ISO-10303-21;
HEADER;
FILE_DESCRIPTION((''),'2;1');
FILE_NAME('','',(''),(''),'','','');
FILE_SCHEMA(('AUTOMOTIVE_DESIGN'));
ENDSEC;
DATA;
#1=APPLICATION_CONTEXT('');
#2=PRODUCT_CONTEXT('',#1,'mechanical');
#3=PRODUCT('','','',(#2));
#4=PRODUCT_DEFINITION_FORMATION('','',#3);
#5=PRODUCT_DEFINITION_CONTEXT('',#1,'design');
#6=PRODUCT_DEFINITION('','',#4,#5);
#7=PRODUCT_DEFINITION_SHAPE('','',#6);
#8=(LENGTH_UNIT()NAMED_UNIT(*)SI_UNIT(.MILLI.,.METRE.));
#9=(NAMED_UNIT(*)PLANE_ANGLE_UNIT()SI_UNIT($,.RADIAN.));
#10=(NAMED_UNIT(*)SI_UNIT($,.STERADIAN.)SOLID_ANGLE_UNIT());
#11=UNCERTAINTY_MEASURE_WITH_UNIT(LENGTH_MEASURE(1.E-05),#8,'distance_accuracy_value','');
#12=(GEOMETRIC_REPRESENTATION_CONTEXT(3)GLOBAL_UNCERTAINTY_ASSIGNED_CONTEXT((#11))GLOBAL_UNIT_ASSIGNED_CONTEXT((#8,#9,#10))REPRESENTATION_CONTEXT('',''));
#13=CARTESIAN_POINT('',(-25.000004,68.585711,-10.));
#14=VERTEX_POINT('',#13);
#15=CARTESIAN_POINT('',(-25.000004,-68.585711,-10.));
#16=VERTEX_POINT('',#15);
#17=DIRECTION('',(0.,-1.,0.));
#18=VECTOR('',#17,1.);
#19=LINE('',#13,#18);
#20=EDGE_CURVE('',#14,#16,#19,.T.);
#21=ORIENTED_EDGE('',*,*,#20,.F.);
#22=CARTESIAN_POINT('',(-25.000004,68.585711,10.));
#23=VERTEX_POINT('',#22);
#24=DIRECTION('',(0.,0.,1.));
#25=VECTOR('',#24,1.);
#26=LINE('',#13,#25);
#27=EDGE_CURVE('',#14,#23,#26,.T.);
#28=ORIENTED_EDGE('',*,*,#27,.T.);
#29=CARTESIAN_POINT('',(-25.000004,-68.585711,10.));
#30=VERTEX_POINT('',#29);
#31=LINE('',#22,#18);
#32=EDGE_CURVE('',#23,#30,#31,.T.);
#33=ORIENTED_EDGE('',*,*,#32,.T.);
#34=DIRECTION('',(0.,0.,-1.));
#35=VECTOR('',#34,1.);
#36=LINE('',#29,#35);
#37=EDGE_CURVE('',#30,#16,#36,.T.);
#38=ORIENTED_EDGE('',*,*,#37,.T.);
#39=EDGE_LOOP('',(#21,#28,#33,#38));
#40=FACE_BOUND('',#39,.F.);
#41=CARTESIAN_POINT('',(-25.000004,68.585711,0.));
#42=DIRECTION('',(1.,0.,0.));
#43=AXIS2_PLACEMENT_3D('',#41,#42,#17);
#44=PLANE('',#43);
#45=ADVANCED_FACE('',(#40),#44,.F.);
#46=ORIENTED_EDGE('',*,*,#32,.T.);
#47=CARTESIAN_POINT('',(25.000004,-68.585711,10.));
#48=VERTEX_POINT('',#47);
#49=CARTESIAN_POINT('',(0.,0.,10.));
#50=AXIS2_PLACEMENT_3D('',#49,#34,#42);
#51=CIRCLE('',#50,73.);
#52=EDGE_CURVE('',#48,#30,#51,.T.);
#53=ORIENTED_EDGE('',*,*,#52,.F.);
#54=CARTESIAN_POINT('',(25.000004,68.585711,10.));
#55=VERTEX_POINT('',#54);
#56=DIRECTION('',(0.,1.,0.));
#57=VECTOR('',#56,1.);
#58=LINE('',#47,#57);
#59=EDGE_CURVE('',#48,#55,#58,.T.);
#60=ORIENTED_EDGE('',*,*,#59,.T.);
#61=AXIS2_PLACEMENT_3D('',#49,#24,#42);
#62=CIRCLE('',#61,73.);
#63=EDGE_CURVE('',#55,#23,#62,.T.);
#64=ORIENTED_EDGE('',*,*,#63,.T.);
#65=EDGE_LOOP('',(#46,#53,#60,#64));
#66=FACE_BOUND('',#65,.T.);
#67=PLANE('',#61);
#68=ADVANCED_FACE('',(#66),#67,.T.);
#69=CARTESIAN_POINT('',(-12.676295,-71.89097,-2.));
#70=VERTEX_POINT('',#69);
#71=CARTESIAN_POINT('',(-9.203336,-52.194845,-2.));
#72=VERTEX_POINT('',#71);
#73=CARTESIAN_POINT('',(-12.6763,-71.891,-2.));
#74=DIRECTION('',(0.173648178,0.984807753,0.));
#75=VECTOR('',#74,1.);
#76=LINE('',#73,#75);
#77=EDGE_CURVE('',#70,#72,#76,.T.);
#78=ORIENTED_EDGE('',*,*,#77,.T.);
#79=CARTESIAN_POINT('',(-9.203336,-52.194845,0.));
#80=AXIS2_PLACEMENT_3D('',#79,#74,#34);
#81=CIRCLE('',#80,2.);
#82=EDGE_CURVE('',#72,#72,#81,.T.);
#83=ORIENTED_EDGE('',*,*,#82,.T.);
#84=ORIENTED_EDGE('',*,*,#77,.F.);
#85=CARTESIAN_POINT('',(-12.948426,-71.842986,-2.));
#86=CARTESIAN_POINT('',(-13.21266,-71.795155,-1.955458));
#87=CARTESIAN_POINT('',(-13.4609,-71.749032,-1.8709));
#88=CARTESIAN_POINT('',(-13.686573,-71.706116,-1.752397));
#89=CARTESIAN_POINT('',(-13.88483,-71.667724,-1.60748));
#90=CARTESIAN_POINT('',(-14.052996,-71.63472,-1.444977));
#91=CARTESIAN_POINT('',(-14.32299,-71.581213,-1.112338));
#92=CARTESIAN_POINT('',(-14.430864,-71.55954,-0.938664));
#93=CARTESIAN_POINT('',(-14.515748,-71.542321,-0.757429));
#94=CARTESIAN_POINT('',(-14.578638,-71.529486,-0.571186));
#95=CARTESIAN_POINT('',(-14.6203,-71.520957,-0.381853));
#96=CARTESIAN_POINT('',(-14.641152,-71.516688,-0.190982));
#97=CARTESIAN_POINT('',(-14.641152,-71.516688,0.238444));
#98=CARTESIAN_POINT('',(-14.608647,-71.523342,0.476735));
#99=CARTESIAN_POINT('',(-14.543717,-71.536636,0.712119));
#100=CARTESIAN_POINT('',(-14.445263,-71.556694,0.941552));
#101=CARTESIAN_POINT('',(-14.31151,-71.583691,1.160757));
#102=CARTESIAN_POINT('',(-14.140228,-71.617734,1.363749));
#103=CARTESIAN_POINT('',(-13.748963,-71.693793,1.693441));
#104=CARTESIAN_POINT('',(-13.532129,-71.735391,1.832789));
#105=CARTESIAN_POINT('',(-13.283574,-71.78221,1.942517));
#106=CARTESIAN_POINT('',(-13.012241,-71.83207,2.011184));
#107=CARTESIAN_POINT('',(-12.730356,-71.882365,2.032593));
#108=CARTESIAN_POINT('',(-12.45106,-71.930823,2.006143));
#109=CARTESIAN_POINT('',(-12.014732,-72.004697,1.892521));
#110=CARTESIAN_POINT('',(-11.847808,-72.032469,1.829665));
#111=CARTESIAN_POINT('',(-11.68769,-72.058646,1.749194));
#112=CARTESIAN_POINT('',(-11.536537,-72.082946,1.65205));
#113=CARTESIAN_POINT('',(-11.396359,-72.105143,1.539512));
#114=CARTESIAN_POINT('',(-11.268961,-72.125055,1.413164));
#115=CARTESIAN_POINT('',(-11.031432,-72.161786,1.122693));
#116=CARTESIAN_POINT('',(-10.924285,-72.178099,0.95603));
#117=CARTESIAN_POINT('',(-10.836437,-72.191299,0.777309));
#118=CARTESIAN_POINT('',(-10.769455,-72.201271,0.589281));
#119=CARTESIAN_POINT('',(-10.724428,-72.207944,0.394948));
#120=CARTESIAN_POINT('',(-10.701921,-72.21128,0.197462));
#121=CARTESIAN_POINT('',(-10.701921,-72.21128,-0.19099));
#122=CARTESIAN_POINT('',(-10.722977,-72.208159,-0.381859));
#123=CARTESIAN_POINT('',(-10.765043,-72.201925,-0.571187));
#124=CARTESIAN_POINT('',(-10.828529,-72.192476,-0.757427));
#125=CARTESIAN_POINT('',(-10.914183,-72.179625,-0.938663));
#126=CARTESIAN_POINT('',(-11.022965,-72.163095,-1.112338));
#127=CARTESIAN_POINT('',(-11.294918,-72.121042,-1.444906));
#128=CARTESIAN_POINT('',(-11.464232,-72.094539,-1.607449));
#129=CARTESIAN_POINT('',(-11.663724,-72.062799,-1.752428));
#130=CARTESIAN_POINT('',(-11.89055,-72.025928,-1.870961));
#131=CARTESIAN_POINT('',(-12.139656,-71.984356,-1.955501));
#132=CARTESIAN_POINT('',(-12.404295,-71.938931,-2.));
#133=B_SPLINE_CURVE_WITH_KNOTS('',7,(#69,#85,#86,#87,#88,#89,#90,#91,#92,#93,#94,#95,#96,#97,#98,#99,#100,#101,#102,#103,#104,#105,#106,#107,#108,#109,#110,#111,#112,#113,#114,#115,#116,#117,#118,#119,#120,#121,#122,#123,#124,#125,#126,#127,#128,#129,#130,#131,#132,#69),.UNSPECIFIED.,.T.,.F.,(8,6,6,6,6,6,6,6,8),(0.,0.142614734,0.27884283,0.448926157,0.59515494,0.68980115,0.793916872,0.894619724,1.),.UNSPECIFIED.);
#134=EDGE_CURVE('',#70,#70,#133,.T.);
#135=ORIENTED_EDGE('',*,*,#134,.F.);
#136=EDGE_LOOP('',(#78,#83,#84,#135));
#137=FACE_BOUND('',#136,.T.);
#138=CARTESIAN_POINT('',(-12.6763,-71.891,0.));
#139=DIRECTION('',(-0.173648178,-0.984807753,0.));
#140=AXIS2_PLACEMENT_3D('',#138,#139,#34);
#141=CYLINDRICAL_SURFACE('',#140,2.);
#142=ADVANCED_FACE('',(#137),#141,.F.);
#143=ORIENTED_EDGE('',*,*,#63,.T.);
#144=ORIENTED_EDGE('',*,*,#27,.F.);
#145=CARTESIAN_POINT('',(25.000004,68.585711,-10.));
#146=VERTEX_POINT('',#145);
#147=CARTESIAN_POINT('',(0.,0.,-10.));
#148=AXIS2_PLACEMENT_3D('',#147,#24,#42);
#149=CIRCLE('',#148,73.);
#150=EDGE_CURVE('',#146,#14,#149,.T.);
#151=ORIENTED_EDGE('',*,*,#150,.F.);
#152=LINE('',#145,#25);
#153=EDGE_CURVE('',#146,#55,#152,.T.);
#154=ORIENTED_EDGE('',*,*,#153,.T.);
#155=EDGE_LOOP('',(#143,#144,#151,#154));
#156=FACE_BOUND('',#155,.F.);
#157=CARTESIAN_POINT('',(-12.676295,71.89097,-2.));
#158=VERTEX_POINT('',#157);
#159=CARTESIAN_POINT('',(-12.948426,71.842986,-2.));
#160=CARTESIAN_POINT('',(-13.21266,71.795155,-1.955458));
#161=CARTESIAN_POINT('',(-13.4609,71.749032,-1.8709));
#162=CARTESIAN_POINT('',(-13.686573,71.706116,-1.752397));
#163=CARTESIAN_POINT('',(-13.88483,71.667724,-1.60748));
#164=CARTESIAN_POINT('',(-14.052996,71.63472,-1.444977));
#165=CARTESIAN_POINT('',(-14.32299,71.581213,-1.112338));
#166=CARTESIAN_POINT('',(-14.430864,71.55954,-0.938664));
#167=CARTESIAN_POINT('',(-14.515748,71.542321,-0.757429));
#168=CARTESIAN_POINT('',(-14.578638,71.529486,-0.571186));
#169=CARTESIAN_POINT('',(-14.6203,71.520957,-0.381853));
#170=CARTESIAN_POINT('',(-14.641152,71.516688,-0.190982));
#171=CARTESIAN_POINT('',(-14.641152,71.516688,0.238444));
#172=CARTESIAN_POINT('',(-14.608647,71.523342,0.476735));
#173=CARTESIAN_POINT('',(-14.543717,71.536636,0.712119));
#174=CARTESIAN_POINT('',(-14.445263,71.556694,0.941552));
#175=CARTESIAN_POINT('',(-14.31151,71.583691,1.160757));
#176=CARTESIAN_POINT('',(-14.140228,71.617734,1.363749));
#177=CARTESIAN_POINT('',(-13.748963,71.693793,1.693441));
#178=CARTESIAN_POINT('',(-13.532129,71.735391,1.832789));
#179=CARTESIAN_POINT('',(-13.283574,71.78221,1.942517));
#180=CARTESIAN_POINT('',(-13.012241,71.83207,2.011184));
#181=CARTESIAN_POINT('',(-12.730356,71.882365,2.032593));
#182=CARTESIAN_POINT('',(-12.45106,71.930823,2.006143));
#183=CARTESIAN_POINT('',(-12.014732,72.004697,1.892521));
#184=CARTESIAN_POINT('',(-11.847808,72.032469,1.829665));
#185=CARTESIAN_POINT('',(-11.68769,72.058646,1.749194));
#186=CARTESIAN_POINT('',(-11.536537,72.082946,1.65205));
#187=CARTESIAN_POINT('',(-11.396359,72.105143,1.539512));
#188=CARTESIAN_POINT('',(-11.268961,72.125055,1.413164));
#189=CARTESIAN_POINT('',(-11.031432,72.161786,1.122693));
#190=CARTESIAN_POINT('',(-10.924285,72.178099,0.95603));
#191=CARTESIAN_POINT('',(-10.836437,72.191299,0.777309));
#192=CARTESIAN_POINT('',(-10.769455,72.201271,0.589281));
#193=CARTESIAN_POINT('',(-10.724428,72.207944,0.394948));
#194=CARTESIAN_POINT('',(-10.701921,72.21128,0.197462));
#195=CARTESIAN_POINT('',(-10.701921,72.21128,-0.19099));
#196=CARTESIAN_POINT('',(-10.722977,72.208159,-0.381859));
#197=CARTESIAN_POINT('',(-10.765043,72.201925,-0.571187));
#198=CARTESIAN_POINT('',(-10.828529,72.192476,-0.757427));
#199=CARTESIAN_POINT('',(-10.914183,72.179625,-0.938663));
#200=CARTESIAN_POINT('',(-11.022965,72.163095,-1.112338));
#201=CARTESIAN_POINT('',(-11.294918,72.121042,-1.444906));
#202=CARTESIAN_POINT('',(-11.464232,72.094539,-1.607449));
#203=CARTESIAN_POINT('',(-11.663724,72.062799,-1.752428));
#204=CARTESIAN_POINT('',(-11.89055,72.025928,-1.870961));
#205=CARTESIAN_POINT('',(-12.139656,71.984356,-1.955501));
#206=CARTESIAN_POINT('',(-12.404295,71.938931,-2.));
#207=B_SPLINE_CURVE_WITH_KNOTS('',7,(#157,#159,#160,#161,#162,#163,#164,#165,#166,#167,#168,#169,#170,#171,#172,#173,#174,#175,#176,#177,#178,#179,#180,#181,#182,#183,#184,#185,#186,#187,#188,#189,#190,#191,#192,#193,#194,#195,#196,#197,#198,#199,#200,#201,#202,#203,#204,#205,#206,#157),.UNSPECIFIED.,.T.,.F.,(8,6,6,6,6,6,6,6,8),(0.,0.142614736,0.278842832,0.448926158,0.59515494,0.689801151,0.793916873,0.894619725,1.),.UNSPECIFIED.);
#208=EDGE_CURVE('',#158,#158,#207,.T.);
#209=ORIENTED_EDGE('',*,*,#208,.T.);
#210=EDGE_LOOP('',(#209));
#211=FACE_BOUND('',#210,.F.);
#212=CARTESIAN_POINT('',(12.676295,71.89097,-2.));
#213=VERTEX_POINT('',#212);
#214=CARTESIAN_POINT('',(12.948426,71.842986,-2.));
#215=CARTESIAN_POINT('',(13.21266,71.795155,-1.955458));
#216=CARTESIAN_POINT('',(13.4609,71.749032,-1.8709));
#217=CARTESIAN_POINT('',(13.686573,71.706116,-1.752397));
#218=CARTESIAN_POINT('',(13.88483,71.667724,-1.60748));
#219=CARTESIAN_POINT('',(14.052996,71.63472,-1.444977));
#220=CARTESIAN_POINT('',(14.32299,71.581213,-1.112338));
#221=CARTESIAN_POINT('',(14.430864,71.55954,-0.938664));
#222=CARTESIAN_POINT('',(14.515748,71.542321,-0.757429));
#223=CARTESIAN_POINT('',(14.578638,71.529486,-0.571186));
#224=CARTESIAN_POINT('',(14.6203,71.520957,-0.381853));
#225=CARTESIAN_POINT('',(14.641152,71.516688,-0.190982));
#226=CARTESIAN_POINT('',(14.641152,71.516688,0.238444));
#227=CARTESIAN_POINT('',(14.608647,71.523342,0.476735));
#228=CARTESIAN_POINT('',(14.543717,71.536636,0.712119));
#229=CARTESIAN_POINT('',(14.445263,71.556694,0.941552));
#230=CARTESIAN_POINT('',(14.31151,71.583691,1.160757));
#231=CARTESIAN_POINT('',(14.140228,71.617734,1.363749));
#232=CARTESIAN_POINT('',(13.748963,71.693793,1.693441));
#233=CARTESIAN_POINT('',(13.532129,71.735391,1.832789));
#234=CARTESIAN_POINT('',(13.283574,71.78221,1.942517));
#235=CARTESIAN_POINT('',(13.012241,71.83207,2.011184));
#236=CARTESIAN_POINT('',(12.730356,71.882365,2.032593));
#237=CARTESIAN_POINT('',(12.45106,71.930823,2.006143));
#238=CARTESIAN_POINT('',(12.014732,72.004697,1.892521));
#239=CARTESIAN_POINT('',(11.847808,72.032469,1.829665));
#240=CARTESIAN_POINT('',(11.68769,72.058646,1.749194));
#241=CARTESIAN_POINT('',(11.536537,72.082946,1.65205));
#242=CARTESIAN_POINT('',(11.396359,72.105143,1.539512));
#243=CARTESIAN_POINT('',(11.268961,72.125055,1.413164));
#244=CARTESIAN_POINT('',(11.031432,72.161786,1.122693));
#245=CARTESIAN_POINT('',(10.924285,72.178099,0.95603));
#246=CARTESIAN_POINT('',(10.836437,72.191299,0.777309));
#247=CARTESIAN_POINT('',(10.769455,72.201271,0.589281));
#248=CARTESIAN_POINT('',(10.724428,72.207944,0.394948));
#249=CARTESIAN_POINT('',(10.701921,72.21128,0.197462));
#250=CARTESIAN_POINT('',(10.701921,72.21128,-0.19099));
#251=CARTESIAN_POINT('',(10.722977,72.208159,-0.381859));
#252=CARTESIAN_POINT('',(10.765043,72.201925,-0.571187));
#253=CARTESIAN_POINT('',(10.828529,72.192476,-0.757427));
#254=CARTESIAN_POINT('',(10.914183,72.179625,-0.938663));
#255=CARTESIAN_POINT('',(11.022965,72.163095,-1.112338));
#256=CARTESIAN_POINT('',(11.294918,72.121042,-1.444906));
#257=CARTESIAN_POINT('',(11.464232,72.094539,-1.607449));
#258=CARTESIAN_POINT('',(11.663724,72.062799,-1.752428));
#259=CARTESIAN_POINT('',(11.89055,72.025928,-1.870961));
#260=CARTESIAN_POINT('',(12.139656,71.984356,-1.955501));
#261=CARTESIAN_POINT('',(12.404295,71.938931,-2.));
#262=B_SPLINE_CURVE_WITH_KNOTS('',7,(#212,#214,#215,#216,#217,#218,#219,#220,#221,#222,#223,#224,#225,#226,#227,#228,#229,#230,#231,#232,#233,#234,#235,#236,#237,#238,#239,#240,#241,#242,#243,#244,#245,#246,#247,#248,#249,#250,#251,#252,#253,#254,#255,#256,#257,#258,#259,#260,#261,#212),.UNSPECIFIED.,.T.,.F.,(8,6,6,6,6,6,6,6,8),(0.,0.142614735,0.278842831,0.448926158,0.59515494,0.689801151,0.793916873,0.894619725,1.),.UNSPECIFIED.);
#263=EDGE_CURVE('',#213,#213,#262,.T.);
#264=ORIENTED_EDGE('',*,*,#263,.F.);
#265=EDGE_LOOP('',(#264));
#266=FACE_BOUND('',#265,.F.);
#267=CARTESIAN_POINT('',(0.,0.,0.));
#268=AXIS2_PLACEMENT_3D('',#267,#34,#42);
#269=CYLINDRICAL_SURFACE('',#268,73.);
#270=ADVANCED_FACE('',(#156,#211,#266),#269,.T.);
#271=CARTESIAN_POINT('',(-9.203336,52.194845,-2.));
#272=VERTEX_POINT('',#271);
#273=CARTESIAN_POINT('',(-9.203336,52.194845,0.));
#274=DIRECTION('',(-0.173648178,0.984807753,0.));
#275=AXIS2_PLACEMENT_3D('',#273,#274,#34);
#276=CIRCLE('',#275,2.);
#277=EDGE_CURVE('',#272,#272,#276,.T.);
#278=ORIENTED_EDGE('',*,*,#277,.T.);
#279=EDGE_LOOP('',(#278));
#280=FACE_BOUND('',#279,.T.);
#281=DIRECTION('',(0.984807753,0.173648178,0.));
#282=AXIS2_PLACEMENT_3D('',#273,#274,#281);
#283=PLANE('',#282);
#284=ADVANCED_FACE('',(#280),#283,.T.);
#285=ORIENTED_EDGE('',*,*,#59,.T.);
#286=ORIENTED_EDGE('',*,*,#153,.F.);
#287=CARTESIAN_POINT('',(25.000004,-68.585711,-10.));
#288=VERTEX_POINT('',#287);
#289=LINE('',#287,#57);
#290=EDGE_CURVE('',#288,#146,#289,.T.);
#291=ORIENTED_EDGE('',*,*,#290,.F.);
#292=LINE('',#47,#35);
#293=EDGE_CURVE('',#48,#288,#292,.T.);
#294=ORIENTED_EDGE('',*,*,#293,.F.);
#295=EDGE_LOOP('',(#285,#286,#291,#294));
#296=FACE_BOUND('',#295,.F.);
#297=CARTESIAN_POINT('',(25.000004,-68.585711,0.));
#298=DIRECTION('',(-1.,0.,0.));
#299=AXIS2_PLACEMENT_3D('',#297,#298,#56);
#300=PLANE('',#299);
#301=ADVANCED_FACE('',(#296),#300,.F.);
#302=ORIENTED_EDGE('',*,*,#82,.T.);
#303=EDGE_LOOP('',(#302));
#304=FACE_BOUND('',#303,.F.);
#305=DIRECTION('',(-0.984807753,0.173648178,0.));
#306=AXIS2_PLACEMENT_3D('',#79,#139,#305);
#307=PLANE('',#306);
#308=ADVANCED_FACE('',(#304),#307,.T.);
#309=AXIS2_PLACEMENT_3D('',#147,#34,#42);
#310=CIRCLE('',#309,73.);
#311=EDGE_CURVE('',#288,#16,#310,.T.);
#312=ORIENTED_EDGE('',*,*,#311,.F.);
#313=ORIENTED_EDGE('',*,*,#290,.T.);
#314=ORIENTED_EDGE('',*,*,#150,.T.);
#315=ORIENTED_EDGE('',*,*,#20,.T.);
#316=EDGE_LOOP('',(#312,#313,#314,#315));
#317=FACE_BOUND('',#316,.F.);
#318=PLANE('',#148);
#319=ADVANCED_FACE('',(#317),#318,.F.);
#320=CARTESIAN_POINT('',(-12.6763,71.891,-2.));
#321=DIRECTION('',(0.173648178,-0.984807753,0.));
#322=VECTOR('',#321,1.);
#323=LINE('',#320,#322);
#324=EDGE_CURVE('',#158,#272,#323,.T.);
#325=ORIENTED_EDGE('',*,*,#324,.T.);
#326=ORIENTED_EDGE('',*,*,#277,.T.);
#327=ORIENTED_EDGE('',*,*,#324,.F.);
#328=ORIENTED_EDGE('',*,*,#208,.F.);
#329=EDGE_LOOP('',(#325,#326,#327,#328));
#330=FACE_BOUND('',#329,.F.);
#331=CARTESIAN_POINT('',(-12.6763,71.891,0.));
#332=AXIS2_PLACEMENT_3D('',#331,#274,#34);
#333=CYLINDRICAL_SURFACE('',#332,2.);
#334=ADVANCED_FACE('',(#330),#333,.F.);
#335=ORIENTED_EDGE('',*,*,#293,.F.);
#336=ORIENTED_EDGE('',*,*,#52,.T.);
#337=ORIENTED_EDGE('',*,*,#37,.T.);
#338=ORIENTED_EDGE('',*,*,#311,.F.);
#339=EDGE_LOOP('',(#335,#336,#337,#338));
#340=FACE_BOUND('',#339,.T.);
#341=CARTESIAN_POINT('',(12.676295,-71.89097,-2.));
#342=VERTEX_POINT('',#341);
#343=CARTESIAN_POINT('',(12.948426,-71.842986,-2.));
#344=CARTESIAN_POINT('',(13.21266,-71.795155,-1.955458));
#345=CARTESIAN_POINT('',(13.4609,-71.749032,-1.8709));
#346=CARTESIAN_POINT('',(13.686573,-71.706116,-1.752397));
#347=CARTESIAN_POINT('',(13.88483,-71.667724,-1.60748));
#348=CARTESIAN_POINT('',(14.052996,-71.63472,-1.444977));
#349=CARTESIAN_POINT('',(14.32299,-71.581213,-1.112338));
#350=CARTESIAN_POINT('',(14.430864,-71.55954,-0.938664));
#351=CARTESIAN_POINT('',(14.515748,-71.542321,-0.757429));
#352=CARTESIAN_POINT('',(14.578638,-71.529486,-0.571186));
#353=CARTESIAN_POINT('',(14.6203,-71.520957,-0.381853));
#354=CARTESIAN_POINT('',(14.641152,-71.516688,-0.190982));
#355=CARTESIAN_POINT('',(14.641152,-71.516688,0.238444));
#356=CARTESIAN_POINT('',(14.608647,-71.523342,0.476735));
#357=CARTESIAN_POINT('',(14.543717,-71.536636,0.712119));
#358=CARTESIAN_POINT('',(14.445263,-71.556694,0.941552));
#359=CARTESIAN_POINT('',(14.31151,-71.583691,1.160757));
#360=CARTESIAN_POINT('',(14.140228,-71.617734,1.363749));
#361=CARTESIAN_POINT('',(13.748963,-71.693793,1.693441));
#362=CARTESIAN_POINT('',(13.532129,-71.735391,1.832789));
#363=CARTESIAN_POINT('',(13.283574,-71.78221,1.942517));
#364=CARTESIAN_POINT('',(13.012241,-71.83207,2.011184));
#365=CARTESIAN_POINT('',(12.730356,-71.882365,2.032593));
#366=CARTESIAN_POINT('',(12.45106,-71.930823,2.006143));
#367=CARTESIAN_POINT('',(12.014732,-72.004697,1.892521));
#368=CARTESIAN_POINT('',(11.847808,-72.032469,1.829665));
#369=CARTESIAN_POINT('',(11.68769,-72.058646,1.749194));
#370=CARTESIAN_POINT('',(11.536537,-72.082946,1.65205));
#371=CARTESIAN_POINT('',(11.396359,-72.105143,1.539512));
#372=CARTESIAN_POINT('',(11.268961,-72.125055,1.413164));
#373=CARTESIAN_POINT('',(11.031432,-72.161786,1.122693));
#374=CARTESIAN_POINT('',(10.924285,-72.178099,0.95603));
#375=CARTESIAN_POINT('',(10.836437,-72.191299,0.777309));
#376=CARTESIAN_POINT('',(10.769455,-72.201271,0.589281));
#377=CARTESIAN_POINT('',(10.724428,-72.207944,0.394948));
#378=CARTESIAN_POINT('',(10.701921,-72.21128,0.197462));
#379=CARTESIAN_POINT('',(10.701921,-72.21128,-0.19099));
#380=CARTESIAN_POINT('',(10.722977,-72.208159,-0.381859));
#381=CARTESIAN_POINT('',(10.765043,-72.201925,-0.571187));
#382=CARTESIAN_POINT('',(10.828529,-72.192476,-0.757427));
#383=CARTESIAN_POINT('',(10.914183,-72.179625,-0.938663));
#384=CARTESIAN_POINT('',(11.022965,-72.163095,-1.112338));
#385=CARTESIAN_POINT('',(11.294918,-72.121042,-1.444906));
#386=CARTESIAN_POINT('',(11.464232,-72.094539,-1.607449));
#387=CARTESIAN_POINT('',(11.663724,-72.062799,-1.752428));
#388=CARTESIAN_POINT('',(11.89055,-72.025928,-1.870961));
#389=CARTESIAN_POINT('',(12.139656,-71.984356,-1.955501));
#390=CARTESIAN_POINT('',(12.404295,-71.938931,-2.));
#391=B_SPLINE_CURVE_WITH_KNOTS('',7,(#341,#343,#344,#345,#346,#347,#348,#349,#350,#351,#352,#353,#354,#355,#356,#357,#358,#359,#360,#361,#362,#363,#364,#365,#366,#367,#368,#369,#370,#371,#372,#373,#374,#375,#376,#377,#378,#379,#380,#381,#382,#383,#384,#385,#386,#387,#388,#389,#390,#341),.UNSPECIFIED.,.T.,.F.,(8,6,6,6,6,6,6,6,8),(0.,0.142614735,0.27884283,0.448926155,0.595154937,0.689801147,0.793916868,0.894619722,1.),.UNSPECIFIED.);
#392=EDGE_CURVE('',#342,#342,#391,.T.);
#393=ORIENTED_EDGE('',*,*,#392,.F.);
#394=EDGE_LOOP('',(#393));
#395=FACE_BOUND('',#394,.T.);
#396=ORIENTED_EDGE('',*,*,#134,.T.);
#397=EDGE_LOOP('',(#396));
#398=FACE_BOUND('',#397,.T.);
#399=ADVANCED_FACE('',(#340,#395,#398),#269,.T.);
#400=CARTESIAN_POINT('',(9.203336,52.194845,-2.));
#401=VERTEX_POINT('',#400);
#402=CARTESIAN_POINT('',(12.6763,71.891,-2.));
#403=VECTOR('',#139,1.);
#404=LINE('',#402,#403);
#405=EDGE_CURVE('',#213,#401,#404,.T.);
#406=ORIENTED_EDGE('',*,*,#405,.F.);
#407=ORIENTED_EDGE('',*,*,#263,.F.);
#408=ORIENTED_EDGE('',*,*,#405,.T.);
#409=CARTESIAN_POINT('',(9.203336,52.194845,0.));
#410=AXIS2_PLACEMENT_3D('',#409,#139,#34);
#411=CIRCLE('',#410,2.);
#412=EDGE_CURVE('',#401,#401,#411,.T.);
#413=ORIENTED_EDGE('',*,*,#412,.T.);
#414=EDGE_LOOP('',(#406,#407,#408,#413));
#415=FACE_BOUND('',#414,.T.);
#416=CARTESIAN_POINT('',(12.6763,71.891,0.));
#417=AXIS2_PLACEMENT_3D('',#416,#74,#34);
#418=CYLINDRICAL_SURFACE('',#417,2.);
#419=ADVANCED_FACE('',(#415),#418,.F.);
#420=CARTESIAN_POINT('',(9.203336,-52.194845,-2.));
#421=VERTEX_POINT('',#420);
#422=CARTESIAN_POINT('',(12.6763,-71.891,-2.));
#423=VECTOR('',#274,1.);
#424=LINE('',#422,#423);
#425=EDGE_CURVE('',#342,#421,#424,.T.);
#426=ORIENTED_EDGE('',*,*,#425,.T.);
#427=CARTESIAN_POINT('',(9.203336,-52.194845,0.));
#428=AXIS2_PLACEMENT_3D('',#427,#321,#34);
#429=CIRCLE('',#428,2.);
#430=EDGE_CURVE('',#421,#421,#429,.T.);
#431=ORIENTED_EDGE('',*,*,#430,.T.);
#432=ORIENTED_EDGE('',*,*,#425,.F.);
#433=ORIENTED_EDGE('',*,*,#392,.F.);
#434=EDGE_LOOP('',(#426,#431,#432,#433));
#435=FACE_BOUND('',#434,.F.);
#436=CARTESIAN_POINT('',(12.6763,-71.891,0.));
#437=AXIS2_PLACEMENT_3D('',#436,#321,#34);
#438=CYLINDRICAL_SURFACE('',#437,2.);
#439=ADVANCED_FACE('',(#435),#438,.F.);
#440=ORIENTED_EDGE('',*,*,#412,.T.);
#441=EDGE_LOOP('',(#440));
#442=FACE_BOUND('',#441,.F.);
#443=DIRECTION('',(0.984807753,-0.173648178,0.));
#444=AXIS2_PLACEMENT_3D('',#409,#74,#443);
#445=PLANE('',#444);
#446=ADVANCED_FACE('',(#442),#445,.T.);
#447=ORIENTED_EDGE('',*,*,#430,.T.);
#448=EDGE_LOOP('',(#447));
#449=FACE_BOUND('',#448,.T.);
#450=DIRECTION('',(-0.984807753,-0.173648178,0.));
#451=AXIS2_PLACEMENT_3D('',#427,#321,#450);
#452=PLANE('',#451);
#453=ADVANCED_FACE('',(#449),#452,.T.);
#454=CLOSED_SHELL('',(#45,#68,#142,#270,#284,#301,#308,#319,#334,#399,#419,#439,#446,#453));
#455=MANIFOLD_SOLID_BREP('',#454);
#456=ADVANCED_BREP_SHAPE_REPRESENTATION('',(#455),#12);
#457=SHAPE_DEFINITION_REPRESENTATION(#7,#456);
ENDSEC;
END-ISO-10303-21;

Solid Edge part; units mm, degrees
sketch "Sketch1" plane through (0, 0, 0) normal (0, 0, 1) x (1, 0, 0)
  line L0 (25, -68.5857) -> (25, 68.5857)
  line L1 (-25, 68.5857) -> (-25, -68.5857)
  arc A0 (25, -68.5857) -> (-25, -68.5857) centre (0, 0) cw
  arc A1 (25, 68.5857) -> (-25, 68.5857) centre (0, 0) ccw
extrude "Protrusion1" add sketch "Sketch1" along normal mid plane 20
sketch "Sketch2" plane through (12.6763, -71.891, 0) normal (0.1736, -0.9848, 0) x (0, 0, -1)
  circle A0 centre (0, 0) radius 2
extrude "Wycięcie_1" cut sketch "Sketch2" against normal blind 20
mirror "Mirror1" about plane through (0, 0, 0) normal (1, 0, 0) of "Wycięcie_1"
mirror "Mirror2" about plane through (0, 0, 0) normal (0, -1, 0) of "Mirror1", "Wycięcie_1"
